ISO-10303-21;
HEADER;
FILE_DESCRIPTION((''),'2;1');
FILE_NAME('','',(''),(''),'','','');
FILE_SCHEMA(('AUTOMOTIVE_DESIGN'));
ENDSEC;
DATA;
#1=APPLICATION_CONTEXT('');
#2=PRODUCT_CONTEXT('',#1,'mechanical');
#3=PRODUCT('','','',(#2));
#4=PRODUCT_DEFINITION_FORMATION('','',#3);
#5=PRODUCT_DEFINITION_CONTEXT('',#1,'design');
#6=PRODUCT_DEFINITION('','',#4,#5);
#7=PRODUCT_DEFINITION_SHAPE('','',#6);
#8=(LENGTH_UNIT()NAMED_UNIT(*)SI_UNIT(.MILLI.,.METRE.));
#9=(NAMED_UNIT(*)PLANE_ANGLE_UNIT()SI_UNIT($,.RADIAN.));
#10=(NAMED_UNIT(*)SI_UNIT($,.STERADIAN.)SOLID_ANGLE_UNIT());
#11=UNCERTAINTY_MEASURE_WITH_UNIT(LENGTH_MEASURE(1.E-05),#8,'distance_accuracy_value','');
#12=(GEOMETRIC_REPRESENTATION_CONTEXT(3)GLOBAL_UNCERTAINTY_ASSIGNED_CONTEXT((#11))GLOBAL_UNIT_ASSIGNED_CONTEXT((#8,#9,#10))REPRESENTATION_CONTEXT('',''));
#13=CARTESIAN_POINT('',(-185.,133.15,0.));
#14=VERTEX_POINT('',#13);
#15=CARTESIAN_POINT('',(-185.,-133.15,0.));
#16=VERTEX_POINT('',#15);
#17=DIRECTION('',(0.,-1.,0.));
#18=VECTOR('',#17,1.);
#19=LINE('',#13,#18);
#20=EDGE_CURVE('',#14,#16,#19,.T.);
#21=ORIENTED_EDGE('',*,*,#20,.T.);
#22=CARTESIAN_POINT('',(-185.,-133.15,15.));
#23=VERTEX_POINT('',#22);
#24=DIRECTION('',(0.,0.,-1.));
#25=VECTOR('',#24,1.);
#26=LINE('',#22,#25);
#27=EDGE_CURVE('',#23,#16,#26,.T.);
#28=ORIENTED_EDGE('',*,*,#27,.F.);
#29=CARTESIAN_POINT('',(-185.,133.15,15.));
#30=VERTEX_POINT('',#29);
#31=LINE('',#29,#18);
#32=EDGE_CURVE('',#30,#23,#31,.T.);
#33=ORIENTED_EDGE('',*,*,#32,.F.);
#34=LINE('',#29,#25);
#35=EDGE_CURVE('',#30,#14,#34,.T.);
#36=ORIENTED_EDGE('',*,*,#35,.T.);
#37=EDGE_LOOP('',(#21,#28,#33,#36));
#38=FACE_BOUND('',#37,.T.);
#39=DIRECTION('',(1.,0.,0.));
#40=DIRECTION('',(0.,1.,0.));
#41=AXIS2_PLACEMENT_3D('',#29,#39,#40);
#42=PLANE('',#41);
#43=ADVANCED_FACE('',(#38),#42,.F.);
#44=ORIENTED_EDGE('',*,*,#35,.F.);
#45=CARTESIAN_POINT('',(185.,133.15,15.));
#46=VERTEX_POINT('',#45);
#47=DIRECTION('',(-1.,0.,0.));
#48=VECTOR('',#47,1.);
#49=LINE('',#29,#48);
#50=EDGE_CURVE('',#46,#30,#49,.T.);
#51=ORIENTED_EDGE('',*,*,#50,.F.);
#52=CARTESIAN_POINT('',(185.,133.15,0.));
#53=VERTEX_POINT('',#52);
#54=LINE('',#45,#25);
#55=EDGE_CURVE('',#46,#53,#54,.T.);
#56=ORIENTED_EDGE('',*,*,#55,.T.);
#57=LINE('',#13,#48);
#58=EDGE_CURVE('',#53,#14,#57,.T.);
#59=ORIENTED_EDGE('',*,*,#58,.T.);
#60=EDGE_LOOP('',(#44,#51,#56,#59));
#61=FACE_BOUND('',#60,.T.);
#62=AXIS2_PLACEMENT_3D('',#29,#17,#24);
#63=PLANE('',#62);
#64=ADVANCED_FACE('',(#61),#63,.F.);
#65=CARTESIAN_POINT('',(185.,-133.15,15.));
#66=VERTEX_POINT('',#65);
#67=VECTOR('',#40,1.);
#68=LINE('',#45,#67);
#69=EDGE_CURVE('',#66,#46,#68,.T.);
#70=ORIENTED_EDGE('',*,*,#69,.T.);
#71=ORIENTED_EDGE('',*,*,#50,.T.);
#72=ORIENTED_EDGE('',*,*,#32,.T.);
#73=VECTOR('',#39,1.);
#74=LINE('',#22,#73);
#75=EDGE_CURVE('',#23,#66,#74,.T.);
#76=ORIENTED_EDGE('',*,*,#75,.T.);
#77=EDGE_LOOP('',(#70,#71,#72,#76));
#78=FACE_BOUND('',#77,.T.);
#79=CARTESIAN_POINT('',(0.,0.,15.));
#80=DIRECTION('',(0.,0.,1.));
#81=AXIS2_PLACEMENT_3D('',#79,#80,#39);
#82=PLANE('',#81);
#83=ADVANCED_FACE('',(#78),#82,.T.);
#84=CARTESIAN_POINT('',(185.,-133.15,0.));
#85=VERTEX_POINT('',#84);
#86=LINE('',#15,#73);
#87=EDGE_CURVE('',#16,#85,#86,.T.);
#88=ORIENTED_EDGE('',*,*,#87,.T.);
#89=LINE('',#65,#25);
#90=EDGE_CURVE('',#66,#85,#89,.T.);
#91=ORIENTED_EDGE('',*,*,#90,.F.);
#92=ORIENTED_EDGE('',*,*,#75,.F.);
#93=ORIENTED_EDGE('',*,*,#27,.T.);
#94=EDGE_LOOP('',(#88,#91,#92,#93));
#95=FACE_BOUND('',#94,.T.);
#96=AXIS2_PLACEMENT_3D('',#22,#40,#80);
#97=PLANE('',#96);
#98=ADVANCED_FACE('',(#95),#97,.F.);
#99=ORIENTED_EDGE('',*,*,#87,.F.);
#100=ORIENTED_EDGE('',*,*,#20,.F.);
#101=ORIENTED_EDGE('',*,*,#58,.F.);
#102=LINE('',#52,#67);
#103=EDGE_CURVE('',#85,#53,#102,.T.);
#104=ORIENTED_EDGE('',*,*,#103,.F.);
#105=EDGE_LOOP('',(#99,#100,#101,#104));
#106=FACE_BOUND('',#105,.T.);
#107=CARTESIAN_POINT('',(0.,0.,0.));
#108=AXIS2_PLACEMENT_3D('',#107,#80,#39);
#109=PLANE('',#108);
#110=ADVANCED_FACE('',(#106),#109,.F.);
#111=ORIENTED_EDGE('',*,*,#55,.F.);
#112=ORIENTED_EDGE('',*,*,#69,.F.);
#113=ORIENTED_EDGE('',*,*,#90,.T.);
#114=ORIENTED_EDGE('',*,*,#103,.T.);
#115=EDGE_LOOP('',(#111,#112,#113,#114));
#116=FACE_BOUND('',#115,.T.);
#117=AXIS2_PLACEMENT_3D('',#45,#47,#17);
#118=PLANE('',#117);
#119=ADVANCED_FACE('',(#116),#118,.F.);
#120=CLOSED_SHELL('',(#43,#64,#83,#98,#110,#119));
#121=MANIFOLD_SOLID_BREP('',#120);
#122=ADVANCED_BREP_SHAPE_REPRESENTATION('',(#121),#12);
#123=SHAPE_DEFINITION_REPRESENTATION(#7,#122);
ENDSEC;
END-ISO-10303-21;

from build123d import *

# Parameters (mm, degrees)
ESBO_O1_W                = 370
ESBO_O1_H                = 266.3
RESSALTO_EXTRUS_O1_DEPTH = 15


with BuildPart() as part:
    # Esboço1 → Ressalto-extrusão1 (new body)
    with BuildSketch(Plane.XY):
        Rectangle(ESBO_O1_W, ESBO_O1_H)
    extrude(amount=RESSALTO_EXTRUS_O1_DEPTH)


solid = part.part
